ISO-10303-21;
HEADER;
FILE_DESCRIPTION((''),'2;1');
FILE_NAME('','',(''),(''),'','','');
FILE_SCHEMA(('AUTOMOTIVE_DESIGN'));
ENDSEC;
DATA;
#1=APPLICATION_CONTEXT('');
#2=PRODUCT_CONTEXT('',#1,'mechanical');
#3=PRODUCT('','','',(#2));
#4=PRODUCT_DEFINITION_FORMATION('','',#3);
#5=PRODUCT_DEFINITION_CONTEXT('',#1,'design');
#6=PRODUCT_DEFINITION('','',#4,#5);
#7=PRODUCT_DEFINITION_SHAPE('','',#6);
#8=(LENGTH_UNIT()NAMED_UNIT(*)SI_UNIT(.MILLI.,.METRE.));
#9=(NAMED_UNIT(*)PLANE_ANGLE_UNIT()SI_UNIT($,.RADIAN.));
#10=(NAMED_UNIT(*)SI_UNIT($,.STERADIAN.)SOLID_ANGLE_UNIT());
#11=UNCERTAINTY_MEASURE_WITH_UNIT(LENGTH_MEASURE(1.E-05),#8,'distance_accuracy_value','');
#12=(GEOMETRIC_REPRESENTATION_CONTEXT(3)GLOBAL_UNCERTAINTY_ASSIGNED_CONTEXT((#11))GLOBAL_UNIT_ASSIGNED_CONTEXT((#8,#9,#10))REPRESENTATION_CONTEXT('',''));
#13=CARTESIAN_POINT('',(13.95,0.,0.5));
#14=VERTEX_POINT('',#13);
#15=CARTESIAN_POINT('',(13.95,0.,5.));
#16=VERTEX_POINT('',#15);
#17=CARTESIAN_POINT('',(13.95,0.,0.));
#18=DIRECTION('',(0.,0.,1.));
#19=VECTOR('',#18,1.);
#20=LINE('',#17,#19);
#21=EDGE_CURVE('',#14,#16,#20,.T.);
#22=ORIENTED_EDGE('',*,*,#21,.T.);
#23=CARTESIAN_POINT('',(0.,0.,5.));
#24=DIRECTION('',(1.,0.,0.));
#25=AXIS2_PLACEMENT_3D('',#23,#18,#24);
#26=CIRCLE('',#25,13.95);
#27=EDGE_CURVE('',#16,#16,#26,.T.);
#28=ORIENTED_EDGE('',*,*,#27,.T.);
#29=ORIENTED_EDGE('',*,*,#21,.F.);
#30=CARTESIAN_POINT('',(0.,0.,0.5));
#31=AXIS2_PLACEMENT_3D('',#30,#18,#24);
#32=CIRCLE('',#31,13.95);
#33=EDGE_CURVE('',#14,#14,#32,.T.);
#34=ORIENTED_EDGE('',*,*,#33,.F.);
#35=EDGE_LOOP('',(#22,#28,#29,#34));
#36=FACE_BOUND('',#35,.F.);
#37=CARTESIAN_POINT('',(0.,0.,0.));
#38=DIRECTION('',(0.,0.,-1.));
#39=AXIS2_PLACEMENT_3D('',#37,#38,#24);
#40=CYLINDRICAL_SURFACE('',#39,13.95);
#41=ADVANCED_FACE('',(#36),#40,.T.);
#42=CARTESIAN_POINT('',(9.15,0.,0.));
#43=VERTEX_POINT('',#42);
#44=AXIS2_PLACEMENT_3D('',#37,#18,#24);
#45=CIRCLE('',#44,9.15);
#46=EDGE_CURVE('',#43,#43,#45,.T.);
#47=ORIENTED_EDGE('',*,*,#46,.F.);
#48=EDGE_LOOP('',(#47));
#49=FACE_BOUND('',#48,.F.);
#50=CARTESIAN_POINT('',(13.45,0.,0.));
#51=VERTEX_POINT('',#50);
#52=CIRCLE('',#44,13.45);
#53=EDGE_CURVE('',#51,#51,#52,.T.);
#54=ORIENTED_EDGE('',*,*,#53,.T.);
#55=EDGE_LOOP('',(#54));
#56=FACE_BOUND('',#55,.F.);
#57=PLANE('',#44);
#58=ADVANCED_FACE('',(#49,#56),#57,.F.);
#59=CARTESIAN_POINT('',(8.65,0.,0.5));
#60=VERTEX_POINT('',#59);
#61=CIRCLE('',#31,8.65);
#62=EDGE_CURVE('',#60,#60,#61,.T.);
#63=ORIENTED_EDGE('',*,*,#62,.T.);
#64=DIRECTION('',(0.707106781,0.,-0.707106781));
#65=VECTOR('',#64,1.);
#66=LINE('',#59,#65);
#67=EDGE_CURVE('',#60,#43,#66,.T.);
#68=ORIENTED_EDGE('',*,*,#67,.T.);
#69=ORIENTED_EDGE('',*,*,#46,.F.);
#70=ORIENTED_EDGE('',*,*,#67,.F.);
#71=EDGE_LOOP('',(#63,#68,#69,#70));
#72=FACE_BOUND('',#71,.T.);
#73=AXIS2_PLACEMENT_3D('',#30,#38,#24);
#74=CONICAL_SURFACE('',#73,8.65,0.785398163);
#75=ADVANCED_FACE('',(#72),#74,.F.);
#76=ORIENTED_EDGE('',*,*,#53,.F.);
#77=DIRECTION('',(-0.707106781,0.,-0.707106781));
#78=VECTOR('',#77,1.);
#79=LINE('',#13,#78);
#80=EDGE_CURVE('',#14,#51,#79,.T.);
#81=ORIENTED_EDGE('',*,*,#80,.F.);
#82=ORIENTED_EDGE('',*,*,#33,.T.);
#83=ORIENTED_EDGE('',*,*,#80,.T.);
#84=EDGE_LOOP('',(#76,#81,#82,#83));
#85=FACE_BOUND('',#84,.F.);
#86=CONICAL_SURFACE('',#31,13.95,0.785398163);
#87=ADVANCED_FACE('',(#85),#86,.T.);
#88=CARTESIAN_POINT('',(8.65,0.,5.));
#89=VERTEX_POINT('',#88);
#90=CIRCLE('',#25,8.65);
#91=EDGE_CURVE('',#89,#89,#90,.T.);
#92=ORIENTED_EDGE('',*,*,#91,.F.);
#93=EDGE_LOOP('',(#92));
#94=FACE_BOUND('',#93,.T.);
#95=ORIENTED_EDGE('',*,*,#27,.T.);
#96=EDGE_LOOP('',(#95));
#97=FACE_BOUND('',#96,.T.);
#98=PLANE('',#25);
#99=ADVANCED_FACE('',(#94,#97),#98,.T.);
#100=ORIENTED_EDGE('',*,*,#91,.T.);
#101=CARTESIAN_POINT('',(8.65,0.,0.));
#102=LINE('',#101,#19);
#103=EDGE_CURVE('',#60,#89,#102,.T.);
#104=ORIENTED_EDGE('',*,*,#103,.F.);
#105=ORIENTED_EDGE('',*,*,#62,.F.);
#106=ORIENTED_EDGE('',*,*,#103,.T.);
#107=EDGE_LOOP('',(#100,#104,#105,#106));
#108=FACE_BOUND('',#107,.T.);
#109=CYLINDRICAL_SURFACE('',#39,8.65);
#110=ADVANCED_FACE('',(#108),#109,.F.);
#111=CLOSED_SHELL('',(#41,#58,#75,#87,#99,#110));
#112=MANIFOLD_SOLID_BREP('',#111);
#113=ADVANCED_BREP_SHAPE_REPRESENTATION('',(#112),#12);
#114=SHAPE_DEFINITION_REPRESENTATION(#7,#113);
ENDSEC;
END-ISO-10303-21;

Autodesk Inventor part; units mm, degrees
ref_plane "YZ Plane" through (0, 0, 0) normal (1, 0, 0) x (0, 1, 0)
ref_plane "XZ Plane" through (0, 0, 0) normal (0, 1, 0) x (-1, 0, 0)
ref_plane "XY Plane" through (0, 0, 0) normal (0, 0, 1) x (1, 0, 0)
sketch "Эскиз1" plane through (0, 0, 0) normal (0, 0, 1) x (1, 0, 0)
  circle A0 centre (0, 0) radius 13.95
  circle A1 centre (0, 0) radius 8.65
  dimension "d0" = 17.3
  dimension "d1" = 27.9
extrude "Выдавливание1" add sketch "Эскиз1" along normal blind 5
chamfer "Фаска2" distance 0.5 angle 45 2 edges at (-8.65, 0, 0) (-13.95, 0, 0)
properties part number "Проставка"
